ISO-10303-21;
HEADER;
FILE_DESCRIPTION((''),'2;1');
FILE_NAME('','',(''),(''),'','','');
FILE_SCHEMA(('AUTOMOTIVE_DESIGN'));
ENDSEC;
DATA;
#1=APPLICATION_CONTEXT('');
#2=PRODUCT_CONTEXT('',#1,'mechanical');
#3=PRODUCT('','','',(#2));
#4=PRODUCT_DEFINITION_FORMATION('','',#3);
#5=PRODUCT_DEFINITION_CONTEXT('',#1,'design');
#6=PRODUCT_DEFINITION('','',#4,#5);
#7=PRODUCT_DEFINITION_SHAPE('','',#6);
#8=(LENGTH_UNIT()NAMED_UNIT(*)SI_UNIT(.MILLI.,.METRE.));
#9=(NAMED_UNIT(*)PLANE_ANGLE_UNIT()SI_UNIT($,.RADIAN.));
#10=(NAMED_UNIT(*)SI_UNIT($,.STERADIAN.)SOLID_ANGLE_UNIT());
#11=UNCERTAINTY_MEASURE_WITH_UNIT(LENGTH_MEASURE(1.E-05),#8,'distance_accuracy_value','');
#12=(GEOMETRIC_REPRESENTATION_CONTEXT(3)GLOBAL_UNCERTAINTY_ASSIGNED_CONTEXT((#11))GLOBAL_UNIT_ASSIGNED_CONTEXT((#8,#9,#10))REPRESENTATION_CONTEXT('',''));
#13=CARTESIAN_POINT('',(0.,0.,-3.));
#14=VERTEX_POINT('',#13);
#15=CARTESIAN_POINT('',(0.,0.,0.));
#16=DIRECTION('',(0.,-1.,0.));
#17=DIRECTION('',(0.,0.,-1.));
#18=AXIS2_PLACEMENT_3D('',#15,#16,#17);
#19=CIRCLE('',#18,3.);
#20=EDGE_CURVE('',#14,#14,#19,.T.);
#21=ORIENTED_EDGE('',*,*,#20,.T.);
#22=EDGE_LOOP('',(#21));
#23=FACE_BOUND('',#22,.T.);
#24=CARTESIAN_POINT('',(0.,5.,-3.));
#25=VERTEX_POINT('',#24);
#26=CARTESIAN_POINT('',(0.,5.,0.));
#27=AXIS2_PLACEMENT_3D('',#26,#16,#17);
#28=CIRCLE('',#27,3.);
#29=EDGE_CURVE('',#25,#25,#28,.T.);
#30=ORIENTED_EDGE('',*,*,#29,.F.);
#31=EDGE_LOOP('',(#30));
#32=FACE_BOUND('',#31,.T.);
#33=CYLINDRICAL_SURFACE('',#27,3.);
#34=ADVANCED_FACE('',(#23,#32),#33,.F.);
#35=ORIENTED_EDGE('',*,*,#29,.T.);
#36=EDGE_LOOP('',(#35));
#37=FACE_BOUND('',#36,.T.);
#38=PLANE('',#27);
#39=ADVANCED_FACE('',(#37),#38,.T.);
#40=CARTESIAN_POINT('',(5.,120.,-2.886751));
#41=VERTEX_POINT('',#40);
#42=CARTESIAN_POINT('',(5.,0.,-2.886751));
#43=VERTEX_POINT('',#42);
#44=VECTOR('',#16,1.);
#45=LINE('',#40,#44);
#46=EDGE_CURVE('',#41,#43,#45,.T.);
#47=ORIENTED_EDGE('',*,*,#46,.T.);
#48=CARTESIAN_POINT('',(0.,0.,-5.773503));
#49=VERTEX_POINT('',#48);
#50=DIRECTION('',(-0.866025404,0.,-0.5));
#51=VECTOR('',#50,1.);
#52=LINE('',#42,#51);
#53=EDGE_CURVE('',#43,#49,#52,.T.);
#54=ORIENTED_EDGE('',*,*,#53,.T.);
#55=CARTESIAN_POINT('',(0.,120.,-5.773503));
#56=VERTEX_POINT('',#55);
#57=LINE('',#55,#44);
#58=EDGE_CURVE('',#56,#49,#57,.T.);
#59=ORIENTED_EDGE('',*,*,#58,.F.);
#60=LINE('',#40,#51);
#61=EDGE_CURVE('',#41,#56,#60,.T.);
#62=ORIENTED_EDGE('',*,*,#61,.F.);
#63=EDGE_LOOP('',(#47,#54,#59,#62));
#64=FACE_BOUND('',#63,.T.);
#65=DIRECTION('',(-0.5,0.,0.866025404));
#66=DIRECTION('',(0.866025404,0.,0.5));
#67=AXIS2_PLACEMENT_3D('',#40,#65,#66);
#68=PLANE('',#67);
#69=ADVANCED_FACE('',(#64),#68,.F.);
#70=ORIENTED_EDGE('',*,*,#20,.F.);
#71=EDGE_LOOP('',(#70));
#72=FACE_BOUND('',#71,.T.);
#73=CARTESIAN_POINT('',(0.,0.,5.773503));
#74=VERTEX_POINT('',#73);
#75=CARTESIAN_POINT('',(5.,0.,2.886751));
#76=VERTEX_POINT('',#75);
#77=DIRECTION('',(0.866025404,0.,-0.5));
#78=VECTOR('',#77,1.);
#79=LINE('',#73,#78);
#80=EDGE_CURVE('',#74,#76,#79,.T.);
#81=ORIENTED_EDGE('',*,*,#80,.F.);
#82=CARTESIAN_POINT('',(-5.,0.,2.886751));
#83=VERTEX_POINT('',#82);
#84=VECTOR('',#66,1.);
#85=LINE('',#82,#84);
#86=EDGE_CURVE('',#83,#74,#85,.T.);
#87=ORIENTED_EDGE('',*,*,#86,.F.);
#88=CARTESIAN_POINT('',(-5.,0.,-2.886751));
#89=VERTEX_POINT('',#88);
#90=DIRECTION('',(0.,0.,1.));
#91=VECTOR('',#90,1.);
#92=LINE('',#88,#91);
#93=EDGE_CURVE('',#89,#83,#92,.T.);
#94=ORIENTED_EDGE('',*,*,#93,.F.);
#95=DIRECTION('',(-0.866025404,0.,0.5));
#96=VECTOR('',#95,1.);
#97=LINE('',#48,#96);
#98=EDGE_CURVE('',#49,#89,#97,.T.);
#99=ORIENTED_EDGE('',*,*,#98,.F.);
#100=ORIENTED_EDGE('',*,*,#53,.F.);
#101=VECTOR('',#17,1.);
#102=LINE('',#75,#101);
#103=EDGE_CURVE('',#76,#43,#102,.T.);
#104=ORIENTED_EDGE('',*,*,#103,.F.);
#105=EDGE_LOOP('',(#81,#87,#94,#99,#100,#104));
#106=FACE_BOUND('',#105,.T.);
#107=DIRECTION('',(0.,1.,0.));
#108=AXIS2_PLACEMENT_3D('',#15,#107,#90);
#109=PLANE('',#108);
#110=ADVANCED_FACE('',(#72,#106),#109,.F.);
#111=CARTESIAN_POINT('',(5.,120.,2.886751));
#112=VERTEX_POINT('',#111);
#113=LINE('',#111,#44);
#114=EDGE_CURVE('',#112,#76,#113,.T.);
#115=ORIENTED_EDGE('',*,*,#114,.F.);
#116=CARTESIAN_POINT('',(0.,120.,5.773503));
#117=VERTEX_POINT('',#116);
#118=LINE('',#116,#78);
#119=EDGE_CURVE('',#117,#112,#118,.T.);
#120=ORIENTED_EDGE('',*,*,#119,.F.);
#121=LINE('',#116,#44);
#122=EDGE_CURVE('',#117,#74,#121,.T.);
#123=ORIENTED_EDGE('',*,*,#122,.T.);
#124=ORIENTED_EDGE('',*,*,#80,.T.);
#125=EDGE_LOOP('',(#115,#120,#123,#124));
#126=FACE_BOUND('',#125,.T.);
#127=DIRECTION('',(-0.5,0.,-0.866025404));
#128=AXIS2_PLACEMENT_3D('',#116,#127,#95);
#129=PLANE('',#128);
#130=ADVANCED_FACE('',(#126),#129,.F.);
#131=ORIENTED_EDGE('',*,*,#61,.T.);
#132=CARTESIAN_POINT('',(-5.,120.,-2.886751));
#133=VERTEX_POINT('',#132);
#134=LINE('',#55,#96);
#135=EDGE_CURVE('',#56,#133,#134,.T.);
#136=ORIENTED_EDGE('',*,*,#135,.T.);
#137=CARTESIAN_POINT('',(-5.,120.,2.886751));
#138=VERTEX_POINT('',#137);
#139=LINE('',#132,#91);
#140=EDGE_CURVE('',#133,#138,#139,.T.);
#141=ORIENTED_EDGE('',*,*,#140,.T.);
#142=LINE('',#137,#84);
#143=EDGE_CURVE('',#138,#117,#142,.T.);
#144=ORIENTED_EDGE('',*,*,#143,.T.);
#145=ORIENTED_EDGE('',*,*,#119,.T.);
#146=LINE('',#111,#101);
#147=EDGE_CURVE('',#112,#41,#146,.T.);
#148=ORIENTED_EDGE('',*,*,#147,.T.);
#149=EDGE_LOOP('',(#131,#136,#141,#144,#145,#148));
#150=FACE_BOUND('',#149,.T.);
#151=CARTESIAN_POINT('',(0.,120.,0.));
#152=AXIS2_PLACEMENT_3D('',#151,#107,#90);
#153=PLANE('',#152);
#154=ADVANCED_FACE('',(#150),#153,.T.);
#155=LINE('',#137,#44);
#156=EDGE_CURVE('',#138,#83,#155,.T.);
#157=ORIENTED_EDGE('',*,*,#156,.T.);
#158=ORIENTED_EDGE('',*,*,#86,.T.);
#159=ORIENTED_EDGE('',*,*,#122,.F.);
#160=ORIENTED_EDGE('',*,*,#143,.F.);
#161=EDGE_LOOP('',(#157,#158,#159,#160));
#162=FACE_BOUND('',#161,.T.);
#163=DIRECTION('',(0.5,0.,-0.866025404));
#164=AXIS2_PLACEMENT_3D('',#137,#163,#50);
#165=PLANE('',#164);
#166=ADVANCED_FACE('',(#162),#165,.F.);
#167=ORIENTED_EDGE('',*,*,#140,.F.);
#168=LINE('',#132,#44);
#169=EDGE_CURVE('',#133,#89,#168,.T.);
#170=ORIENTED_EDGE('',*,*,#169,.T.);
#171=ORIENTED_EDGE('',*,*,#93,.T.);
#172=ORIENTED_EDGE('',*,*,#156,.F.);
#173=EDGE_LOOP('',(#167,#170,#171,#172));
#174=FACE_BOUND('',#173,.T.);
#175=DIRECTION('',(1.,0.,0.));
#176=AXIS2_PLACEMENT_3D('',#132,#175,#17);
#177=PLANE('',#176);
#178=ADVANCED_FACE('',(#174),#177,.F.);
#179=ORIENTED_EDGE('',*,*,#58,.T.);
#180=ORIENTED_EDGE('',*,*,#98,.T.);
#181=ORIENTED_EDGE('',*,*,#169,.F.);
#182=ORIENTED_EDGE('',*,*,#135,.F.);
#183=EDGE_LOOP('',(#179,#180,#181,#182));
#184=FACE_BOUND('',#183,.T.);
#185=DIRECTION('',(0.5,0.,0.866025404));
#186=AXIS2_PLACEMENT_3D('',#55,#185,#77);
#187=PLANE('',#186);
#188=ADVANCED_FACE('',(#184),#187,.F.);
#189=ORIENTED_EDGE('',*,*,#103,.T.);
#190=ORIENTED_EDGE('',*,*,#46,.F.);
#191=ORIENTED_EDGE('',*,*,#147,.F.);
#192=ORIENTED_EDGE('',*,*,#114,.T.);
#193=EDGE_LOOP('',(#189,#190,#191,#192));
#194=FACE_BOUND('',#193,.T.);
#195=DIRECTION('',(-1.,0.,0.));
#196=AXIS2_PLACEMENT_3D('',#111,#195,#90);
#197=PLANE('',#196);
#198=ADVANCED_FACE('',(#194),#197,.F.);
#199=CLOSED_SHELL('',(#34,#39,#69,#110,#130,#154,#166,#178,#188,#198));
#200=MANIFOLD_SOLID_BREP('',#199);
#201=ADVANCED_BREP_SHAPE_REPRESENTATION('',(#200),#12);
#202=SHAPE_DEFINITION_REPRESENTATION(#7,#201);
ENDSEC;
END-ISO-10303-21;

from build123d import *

# Parameters (mm, degrees)
BOSS_EXTRUDE1_DEPTH = 120
SKETCH2_R           = 3
CUT_EXTRUDE2_DEPTH  = 5


with BuildPart() as part:
    # Sketch1 → Boss-Extrude1 (new body)
    with BuildSketch(Plane(origin=(0, 0, 0), x_dir=(1, 0, 0), z_dir=(0, 1, 0))):
        Polygon((0, 5.773502692), (-5, 2.886751346), (-5, -2.886751346), (0, -5.773502692), (5, -2.886751346), (5, 2.886751346), align=None)
    extrude(amount=BOSS_EXTRUDE1_DEPTH)

    # Sketch2 → Cut-Extrude2 (cut)
    with BuildSketch(Plane.XZ):
        Circle(SKETCH2_R)
    extrude(amount=-CUT_EXTRUDE2_DEPTH, mode=Mode.SUBTRACT)


solid = part.part
